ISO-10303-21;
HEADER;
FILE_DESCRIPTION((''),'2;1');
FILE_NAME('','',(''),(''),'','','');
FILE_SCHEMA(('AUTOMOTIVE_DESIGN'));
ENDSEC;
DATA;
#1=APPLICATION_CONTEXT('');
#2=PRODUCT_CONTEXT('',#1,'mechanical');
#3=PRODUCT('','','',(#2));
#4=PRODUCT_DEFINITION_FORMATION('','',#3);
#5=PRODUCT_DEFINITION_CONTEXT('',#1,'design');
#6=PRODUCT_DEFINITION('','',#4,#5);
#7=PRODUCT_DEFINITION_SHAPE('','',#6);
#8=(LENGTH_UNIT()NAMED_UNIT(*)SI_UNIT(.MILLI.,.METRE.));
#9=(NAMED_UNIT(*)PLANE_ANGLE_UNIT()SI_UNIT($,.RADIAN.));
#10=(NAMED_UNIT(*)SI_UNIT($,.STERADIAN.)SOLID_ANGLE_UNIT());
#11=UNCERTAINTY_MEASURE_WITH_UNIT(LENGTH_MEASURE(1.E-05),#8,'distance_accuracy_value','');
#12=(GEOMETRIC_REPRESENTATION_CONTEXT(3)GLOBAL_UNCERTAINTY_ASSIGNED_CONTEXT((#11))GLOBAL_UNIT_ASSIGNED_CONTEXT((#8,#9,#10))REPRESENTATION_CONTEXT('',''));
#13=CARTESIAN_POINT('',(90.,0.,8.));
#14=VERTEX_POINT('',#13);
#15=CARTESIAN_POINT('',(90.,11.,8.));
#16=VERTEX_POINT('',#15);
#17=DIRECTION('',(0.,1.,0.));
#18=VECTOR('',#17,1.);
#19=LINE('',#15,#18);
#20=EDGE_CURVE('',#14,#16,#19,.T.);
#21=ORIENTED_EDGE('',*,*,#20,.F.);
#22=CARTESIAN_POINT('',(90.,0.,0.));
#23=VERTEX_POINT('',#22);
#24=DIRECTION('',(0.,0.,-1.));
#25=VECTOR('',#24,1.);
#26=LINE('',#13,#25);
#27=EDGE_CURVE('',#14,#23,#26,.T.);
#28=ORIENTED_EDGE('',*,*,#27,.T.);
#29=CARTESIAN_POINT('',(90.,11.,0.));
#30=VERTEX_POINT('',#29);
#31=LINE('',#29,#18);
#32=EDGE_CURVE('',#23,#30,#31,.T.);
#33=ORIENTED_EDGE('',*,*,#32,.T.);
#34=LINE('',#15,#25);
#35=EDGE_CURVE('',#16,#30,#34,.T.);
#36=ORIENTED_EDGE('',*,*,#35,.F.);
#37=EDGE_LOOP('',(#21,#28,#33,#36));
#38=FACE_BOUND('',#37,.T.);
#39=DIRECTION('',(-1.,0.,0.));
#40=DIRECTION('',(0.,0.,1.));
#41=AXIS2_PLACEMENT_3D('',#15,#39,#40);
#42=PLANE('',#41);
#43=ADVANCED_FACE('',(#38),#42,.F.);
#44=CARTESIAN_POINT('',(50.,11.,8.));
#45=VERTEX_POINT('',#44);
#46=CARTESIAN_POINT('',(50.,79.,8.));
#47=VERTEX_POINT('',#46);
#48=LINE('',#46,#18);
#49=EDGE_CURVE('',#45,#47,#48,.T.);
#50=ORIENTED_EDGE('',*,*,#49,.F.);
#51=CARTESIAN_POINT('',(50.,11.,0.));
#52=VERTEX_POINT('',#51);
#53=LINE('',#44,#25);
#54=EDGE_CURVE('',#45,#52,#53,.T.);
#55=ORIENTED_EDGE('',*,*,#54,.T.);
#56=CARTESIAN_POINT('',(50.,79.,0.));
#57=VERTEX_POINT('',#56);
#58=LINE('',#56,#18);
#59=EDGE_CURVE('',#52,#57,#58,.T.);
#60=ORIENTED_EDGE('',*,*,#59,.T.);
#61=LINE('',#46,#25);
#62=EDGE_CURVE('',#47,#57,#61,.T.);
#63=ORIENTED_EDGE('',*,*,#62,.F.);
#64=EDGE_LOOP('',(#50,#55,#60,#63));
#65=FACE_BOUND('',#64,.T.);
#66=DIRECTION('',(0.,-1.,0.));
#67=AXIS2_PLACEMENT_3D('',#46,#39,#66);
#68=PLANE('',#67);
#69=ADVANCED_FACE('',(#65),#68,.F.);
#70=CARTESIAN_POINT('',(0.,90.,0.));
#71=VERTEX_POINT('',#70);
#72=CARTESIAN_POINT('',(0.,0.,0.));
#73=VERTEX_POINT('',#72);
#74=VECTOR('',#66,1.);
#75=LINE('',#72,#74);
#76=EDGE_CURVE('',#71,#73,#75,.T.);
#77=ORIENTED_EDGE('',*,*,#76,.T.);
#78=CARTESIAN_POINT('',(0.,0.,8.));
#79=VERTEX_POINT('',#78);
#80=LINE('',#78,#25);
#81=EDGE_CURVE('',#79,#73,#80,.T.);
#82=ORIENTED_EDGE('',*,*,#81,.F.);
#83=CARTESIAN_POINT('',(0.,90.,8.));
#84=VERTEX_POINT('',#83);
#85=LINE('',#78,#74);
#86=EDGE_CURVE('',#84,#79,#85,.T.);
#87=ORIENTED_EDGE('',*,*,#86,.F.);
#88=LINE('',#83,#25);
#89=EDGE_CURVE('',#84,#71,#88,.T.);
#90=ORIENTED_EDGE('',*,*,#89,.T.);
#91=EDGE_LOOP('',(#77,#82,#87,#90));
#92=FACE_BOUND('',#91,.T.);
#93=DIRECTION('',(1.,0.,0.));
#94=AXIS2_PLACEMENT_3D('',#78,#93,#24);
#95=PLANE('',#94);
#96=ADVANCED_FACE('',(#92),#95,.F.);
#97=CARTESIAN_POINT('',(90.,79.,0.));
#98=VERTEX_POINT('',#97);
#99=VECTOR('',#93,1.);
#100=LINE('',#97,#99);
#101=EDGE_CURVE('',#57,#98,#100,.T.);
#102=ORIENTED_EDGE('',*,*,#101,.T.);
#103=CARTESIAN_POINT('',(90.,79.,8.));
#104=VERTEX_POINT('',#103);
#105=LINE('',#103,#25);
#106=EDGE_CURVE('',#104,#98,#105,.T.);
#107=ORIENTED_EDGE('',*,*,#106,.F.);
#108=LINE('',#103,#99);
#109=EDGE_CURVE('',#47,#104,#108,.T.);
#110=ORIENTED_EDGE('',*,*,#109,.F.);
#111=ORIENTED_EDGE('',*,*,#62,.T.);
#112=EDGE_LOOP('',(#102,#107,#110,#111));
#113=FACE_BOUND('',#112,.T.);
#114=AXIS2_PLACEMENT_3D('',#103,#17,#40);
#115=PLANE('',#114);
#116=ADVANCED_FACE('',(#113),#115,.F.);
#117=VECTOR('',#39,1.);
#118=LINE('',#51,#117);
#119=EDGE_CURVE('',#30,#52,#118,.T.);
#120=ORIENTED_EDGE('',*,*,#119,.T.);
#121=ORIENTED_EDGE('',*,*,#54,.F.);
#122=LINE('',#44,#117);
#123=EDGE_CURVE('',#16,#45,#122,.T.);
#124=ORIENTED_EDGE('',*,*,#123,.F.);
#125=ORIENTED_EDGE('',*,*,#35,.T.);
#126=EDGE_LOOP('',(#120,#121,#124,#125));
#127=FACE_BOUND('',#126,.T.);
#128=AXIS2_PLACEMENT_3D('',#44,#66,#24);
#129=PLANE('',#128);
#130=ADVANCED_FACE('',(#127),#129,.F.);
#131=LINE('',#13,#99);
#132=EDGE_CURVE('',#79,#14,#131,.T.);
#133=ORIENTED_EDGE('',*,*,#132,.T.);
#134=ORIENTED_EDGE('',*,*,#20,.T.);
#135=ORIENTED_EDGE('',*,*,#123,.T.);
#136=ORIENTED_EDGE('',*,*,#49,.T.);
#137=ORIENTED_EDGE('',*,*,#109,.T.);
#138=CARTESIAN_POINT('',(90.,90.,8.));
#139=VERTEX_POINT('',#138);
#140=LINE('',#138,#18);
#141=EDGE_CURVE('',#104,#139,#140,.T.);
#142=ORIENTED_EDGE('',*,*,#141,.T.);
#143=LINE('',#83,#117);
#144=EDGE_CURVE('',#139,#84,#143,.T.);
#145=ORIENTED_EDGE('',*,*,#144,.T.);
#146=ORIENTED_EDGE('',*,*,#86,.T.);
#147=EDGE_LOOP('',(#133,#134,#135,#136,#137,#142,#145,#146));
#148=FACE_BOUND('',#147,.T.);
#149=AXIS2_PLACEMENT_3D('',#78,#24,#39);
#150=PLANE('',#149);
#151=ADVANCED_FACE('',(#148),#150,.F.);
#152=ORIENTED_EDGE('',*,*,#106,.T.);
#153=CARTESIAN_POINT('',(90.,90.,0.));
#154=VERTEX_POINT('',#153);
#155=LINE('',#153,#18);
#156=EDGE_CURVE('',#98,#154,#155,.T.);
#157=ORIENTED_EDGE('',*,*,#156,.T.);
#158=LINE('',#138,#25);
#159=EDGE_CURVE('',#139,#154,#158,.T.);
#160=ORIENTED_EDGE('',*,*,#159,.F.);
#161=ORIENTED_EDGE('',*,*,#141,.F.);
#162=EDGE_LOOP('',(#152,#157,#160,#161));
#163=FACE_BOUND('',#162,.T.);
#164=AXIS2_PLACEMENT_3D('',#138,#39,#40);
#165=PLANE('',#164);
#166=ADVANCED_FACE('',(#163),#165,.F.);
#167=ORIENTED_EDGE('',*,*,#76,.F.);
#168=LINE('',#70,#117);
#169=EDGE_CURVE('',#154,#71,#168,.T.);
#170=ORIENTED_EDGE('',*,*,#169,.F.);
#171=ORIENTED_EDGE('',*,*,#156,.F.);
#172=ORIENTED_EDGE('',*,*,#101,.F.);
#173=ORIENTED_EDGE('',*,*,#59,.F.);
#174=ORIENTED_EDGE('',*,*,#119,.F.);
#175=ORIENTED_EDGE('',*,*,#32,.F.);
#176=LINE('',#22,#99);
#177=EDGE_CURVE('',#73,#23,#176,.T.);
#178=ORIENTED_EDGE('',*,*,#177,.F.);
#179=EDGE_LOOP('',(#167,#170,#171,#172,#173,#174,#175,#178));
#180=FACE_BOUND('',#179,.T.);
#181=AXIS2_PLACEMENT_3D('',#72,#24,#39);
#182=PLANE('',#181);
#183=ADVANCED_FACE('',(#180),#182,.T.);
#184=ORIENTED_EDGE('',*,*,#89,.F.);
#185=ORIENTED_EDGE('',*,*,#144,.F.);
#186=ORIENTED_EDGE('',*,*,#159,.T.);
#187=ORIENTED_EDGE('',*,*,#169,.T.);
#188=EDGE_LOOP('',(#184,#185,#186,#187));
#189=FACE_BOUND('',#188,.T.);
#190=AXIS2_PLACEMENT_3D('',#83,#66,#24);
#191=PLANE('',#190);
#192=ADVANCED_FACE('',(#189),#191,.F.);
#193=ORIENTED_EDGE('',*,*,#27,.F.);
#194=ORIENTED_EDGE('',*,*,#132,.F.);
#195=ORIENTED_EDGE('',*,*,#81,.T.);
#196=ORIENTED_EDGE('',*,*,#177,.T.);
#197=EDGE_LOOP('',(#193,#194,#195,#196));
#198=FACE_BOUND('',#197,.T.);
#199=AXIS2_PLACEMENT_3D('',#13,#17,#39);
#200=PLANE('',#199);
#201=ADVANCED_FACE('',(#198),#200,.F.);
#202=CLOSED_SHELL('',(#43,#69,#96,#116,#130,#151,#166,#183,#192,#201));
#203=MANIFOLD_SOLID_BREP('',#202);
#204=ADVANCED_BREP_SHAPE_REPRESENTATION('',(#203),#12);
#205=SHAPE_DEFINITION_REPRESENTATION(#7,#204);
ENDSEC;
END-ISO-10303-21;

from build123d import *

# Parameters (mm, degrees)
P_IDAT_VYSUNUT_M1_DEPTH = 8


with BuildPart() as part:
    # Skica1 → Přidat vysunutím1 (new body)
    with BuildSketch(Plane.XY):
        Polygon((0, 0), (0, 90), (90, 90), (90, 79), (50, 79), (50, 11), (90, 11), (90, 0), align=None)
    extrude(amount=P_IDAT_VYSUNUT_M1_DEPTH)


solid = part.part
